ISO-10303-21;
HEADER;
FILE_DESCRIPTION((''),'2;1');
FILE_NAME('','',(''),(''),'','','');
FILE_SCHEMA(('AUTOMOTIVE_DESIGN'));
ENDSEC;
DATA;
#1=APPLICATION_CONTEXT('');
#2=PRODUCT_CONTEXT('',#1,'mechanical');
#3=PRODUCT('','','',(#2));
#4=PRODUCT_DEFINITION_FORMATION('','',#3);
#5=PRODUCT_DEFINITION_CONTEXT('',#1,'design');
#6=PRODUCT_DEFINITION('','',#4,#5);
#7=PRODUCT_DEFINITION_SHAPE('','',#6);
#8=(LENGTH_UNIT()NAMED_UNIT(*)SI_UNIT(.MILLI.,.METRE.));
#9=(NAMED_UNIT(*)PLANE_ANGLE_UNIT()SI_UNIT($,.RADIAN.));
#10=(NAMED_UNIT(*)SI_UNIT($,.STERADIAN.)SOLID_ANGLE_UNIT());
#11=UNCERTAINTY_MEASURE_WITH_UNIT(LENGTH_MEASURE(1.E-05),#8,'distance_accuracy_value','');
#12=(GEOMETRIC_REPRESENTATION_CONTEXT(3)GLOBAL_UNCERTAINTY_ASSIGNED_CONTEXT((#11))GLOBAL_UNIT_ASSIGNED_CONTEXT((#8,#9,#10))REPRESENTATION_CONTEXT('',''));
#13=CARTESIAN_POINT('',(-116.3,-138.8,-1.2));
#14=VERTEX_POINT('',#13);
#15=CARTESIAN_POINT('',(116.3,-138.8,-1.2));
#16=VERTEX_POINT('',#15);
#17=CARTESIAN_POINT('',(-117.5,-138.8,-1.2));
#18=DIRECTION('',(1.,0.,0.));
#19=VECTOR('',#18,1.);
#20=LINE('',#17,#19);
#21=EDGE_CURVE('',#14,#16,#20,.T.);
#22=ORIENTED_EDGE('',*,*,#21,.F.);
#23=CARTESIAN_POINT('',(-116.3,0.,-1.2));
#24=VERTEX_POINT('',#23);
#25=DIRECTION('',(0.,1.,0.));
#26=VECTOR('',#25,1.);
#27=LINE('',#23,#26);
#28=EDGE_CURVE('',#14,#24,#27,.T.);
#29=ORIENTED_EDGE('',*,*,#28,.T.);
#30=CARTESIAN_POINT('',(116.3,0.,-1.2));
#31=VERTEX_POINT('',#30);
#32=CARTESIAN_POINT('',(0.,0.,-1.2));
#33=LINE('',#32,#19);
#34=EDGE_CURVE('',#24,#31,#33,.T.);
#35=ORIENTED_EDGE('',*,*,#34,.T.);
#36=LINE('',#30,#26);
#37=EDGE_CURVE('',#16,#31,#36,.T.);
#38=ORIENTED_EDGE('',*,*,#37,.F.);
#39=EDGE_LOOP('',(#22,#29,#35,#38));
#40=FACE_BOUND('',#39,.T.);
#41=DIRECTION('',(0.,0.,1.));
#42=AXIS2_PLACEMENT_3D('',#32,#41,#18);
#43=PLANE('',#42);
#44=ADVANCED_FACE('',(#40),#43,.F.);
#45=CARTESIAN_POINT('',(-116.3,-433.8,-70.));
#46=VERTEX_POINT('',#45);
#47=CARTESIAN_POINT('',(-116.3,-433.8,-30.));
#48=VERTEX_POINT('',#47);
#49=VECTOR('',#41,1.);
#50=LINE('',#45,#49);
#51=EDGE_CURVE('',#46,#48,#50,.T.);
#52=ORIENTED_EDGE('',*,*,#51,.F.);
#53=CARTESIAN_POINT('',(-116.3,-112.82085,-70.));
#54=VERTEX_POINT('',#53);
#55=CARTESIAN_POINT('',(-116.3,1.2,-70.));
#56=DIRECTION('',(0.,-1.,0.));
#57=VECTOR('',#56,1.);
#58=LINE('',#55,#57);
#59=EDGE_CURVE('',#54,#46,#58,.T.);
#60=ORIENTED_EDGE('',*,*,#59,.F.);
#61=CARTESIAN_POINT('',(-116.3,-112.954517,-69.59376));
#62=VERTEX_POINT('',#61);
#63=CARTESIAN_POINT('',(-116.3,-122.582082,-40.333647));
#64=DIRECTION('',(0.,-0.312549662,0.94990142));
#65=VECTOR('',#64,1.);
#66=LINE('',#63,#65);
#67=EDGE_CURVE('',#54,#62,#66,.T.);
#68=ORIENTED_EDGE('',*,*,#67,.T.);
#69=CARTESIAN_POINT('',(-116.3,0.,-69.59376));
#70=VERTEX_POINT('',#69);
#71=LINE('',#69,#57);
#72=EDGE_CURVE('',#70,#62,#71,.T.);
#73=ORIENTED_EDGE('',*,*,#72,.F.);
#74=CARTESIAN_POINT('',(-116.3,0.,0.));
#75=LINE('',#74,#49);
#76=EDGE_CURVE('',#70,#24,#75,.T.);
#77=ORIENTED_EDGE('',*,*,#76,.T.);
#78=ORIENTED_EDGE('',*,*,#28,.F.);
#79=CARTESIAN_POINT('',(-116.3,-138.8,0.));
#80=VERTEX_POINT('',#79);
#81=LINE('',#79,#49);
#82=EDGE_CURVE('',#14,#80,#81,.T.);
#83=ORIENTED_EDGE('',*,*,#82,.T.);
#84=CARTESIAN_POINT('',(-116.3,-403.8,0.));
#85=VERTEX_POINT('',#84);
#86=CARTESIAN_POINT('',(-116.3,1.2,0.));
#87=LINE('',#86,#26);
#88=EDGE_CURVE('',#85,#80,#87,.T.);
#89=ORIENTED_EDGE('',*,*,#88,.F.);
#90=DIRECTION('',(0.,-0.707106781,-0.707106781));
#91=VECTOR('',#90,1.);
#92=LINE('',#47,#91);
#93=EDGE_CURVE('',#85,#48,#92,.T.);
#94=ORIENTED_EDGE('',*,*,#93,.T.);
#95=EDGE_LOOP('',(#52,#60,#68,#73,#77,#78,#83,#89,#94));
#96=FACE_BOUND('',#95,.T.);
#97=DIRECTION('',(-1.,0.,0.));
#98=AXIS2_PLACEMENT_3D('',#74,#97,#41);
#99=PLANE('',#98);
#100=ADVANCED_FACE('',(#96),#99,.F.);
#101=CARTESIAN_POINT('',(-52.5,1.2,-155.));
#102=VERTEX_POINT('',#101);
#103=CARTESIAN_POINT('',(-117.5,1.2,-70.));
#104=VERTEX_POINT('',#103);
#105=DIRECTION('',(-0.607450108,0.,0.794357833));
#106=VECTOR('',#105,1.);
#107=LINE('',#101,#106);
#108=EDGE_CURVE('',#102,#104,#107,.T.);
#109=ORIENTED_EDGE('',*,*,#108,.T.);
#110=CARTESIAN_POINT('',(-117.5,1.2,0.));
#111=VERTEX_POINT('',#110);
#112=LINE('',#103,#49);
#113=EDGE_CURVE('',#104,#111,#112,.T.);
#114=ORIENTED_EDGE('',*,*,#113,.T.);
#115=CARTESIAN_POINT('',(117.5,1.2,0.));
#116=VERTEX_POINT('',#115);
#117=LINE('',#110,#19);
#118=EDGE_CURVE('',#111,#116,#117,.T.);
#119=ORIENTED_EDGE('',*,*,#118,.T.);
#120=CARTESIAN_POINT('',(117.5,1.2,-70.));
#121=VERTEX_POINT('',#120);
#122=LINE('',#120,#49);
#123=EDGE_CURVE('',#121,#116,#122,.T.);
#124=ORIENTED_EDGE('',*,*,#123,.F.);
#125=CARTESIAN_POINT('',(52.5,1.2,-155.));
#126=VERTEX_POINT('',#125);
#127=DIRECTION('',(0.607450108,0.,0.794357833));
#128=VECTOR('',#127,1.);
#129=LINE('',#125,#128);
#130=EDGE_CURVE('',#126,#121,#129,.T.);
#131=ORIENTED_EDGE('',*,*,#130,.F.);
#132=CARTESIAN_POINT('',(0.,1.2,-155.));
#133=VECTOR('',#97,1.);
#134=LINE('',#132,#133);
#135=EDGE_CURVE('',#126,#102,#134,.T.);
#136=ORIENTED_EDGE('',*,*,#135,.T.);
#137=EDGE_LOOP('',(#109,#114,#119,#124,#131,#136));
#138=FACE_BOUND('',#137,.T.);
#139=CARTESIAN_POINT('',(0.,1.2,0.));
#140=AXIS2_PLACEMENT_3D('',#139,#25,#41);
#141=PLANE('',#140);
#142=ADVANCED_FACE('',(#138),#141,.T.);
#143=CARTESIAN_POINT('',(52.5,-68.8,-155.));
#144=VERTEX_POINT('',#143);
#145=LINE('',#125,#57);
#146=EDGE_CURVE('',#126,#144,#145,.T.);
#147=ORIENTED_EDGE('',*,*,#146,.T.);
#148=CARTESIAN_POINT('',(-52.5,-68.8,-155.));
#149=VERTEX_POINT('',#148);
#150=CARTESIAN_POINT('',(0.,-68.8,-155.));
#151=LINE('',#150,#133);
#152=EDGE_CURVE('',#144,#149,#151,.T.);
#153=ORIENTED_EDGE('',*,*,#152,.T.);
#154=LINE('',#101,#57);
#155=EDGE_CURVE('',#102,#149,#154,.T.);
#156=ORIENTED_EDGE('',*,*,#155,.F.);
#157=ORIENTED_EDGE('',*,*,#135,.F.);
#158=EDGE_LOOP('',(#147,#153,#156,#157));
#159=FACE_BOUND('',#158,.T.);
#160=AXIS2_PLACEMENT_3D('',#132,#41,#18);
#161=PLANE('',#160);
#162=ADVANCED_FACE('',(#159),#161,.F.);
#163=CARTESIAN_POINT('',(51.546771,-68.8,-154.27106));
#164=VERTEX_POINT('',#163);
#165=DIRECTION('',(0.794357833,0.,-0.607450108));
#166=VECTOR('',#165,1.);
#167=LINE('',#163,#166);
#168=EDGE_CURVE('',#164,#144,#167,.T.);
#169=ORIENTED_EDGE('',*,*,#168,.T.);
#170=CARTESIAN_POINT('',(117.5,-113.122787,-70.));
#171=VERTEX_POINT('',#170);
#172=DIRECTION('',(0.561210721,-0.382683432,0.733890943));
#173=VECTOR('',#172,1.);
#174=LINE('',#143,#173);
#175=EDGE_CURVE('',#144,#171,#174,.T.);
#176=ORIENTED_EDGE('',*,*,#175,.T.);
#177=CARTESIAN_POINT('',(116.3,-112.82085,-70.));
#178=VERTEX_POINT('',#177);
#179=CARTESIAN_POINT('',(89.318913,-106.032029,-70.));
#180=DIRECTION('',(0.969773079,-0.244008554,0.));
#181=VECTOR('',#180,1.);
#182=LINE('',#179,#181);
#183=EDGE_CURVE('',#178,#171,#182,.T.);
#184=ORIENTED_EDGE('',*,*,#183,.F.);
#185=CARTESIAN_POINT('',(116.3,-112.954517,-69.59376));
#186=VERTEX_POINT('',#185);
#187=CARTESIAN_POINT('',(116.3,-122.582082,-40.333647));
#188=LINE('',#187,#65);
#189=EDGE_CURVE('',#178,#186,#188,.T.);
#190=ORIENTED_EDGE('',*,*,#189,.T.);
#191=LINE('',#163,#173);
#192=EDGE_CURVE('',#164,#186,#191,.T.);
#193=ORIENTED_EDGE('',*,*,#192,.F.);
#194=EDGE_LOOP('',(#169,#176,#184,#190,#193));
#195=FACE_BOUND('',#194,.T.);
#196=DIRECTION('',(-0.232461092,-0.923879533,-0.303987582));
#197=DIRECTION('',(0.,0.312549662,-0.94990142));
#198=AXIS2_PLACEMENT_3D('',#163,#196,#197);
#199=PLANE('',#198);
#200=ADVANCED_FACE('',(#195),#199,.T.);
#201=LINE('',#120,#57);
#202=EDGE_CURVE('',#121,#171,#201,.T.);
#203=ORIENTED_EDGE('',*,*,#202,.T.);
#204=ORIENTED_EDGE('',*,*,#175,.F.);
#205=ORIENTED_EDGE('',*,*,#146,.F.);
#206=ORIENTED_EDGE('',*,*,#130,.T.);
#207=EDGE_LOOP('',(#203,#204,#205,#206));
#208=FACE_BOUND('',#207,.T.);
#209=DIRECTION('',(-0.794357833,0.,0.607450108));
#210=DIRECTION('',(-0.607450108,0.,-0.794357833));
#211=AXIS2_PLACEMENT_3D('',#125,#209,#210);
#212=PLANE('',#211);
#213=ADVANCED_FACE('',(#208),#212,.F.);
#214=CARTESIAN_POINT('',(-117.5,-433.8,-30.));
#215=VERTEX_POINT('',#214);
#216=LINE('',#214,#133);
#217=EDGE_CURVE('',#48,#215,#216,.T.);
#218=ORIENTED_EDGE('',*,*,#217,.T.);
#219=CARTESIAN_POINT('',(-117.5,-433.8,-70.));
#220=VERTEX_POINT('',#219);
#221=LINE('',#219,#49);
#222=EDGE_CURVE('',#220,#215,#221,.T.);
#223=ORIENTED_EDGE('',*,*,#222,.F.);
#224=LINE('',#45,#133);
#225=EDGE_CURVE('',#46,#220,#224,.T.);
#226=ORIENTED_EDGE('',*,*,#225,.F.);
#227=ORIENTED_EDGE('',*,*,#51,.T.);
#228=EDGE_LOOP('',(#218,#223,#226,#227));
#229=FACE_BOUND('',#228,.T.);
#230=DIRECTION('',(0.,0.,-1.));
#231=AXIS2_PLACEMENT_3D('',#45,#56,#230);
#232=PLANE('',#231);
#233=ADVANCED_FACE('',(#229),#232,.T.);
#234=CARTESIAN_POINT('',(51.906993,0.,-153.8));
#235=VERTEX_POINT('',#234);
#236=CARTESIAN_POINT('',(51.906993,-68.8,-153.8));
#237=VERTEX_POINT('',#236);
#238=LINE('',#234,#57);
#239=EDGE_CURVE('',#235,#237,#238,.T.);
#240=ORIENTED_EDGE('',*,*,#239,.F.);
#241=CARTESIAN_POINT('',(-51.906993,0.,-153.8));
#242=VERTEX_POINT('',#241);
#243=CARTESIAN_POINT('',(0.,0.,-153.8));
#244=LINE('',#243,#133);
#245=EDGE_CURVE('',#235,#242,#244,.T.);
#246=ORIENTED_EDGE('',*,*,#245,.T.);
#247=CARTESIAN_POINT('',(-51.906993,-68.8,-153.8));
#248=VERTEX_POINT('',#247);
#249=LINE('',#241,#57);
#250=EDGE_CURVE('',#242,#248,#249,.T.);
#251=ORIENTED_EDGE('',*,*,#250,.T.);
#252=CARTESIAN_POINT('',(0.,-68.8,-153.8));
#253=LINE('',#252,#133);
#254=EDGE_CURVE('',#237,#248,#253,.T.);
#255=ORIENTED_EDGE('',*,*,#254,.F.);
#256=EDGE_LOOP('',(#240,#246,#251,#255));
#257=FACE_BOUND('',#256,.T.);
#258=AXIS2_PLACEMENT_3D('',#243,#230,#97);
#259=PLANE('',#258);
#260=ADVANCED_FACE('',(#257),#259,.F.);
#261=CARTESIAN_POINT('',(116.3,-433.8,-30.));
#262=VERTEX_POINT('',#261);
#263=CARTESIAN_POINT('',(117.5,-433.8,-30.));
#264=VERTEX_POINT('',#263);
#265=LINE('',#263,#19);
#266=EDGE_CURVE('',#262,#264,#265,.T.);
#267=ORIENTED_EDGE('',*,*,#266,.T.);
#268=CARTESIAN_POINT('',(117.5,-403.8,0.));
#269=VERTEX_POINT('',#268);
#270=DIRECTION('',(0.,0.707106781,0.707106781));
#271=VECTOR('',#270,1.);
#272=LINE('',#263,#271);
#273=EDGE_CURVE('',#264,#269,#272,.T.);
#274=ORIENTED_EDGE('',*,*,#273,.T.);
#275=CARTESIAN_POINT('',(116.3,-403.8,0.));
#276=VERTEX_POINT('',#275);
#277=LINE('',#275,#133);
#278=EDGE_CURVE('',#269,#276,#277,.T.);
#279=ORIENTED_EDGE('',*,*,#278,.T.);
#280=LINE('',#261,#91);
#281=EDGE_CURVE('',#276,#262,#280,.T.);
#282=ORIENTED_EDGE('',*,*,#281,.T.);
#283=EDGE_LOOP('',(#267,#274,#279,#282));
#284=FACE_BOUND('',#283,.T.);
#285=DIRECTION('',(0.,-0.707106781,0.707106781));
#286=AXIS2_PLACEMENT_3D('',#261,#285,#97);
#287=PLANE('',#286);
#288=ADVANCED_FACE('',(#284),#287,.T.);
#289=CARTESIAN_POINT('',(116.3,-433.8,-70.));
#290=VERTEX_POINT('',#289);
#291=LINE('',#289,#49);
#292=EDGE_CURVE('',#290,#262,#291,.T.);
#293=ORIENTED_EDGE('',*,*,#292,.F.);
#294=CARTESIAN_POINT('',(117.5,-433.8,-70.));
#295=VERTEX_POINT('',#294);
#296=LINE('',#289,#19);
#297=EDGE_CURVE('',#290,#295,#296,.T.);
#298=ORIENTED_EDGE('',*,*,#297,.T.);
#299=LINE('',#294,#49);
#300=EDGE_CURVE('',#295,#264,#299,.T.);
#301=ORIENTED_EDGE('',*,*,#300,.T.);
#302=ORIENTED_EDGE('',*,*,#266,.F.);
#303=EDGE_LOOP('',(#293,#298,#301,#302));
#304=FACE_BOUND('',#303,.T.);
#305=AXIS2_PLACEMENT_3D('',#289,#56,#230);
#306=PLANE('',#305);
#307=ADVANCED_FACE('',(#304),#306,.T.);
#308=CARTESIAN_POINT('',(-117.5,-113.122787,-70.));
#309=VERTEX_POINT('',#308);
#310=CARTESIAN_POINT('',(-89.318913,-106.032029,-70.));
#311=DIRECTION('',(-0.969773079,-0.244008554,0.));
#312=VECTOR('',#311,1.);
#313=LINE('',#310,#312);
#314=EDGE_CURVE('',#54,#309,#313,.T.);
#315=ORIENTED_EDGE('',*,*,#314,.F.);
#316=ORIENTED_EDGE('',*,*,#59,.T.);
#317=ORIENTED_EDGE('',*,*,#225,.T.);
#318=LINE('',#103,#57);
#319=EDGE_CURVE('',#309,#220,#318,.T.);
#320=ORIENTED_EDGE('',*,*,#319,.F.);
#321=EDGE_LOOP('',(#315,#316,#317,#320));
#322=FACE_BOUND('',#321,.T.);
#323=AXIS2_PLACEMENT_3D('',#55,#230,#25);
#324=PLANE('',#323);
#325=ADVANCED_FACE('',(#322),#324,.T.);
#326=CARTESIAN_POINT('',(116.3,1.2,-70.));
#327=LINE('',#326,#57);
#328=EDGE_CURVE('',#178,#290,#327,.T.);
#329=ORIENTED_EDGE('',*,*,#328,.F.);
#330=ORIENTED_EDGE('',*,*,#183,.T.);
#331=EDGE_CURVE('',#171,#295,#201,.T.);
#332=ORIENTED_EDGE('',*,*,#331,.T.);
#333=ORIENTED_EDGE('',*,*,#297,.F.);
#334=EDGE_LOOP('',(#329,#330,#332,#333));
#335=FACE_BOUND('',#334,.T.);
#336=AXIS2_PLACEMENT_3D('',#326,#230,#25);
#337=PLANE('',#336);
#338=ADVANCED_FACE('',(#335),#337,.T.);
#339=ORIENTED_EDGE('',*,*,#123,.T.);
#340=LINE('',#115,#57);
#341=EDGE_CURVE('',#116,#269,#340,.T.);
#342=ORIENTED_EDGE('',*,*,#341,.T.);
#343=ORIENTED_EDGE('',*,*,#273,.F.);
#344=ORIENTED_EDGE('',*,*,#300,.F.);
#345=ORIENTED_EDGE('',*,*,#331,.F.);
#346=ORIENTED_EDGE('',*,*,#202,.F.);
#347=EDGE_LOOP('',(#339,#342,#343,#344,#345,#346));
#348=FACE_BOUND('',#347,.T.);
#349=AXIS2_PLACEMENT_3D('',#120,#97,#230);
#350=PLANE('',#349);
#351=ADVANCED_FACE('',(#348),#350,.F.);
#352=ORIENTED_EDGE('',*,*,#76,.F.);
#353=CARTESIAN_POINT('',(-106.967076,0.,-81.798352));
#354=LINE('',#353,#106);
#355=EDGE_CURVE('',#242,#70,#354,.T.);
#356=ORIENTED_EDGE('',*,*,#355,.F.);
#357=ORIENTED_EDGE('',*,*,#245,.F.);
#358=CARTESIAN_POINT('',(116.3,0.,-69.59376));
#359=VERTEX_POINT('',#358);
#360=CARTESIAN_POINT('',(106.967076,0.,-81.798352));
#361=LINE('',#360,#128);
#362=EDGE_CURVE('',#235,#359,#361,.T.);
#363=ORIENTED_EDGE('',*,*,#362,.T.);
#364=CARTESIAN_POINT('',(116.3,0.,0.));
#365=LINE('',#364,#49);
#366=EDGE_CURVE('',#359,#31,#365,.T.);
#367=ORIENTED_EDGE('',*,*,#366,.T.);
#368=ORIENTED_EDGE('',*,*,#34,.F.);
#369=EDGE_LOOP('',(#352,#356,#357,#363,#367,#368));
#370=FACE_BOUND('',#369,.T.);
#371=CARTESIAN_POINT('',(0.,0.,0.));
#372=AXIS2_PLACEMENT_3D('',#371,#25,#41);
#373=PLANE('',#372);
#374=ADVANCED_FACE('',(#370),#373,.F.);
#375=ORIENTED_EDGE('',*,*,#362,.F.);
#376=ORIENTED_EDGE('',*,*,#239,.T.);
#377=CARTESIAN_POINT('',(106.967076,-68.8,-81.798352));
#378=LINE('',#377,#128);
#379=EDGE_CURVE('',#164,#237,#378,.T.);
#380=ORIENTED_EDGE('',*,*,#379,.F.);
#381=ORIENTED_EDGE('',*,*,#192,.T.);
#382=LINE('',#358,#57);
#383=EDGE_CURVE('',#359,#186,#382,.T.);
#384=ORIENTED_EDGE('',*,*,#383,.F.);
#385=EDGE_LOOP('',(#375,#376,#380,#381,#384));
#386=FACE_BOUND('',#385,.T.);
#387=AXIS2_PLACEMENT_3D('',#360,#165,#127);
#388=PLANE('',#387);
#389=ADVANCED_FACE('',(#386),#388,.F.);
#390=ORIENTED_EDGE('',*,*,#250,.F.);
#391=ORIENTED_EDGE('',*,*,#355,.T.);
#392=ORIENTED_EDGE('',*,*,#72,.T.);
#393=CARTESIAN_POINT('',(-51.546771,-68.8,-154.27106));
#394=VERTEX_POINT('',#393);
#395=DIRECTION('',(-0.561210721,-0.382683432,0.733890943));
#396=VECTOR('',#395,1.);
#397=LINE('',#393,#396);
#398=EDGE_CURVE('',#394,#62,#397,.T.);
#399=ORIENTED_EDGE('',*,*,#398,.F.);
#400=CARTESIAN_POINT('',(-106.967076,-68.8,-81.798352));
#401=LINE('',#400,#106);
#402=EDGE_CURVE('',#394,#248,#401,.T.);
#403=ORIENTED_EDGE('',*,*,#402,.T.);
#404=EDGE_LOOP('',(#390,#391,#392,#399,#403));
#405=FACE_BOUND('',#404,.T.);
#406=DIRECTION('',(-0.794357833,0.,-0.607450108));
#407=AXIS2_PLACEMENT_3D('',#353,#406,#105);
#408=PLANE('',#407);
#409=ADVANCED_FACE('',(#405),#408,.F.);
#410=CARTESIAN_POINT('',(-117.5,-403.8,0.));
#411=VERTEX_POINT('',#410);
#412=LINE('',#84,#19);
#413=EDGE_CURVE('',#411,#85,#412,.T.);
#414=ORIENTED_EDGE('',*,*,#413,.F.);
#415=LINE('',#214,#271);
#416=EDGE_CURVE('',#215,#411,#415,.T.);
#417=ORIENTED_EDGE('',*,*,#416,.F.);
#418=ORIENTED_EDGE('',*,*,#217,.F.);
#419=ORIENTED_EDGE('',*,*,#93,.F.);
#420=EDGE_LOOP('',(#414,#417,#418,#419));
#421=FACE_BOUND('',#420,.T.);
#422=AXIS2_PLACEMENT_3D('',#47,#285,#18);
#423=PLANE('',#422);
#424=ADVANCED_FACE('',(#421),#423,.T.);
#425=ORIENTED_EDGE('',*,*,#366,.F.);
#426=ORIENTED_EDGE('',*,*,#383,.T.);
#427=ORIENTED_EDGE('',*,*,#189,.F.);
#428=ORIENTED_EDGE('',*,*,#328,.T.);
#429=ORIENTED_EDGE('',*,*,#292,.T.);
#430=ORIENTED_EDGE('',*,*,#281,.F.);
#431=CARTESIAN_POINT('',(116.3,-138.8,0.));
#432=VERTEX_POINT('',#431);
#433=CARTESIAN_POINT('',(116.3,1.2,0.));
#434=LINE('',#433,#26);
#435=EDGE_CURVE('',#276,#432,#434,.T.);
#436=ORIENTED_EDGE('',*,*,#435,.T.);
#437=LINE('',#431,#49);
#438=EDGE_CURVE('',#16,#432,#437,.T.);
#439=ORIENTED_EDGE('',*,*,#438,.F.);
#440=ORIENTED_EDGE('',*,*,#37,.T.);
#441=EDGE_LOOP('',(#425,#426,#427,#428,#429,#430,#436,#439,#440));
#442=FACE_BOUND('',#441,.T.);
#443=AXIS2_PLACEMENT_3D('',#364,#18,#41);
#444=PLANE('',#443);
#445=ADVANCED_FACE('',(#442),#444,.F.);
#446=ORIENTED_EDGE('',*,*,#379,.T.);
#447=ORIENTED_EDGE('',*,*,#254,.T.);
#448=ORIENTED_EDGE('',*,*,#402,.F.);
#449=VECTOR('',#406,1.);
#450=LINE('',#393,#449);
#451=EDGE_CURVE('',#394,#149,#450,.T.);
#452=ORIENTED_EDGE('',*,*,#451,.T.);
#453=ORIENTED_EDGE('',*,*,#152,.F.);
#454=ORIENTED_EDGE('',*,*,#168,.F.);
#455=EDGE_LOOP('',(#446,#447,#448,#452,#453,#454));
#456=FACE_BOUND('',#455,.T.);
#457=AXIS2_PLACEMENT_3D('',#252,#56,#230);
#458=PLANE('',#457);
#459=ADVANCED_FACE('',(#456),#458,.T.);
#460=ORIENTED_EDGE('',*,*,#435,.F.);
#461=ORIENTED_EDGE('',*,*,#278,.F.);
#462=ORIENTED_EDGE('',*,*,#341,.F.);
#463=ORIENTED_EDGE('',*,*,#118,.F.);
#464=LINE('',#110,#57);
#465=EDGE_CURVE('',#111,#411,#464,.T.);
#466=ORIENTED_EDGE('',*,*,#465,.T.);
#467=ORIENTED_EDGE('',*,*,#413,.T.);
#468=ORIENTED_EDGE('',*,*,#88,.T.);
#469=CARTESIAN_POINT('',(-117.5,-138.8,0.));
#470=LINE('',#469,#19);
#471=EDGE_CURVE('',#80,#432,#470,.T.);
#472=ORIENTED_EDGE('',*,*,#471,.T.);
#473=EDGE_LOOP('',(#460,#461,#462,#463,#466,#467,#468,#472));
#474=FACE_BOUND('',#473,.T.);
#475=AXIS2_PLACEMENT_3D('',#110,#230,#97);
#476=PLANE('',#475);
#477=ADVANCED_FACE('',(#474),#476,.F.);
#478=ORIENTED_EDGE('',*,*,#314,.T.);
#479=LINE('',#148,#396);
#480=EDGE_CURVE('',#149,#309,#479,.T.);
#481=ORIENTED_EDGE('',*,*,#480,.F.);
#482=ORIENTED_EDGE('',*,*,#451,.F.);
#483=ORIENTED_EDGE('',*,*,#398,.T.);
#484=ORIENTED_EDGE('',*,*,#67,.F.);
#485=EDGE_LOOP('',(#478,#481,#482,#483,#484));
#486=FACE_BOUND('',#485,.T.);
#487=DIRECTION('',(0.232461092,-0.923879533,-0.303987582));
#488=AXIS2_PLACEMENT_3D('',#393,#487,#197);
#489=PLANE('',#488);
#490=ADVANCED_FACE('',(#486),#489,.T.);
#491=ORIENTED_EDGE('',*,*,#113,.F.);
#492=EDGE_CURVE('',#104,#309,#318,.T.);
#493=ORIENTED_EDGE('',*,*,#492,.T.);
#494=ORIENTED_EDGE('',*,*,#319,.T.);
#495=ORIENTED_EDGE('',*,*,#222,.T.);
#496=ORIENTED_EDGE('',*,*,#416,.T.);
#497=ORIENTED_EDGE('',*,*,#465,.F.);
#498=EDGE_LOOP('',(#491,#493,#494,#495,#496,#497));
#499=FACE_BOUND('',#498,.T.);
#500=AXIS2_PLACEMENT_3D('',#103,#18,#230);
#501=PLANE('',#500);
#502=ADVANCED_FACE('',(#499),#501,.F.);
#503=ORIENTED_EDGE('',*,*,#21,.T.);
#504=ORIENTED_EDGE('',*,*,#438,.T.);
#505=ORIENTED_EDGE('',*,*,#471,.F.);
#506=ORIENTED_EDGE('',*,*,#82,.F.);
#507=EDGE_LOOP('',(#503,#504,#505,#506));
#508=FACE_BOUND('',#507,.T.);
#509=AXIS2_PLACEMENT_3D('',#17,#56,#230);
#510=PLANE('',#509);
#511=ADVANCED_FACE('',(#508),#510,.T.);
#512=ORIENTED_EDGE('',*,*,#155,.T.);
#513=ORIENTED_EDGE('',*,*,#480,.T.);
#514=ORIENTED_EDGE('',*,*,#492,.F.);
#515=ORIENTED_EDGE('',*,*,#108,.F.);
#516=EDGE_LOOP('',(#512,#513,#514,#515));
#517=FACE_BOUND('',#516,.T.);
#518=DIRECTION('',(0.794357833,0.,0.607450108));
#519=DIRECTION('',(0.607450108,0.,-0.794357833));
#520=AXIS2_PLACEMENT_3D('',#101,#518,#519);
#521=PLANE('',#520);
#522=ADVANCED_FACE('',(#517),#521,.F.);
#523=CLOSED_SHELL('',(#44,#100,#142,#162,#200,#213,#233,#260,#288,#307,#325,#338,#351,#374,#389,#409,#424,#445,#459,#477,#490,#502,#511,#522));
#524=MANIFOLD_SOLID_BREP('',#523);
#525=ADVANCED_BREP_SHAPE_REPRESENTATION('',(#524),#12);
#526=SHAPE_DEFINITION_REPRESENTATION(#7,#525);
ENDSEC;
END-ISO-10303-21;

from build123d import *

# Parameters (mm, degrees)
BOSS_EXTRUDE1_DEPTH = 1.2
SKETCH2_W           = 70
SKETCH2_H           = 435
BOSS_EXTRUDE2_DEPTH = 1.2
BOSS_EXTRUDE3_DEPTH = 1.2
SKETCH4_W           = 52.5
SKETCH4_H           = 70
BOSS_EXTRUDE4_DEPTH = 1.2
CHAMFER1_SIZE       = 30
SKETCH6_W           = 117.5
SKETCH6_H           = 140
BOSS_EXTRUDE5_DEPTH = 1.2


with BuildPart() as part:
    # Sketch1 → Boss-Extrude1 (new body)
    with BuildSketch(Plane(origin=(0, 0, 0), x_dir=(1, 0, 0), z_dir=(0, 1, 0))):
        Polygon((0, 0), (0, 155), (-52.5, 155), (-117.5, 70), (-117.5, 0), align=None)
    extrude(amount=BOSS_EXTRUDE1_DEPTH)

    # Sketch2 → Boss-Extrude2 (add)
    with BuildSketch(Plane.ZY.offset(117.5)):
        with Locations((-35, -216.3)):
            Rectangle(SKETCH2_W, SKETCH2_H)
    extrude(amount=-BOSS_EXTRUDE2_DEPTH)

    # Sketch3 → Boss-Extrude3 (add)
    with BuildSketch(Plane(origin=(-107.920305677, 0, -82.527292576), x_dir=(-0.607450108, 0, 0.794357833), z_dir=(-0.794357833, 0, -0.607450108))):
        Polygon((-91.234333464, 1.2), (15.770339331, 1.2), (15.770339331, -113.122786709), (-91.234333464, -68.8), align=None)
    extrude(amount=-BOSS_EXTRUDE3_DEPTH)

    # Sketch4 → Boss-Extrude4 (add)
    with BuildSketch(Plane(origin=(0, 0, -155), x_dir=(-1, 0, 0), z_dir=(0, 0, -1))):
        with Locations((26.25, -33.8)):
            Rectangle(SKETCH4_W, SKETCH4_H)
    extrude(amount=-BOSS_EXTRUDE4_DEPTH)

    # Chamfer1
    chamfer1_edges = [part.edges().sort_by_distance(p)[0] for p in [
        (-116.9, -433.8, 0),
    ]]
    chamfer(chamfer1_edges, length=CHAMFER1_SIZE)

    # Sketch6 → Boss-Extrude5 (add)
    with BuildSketch(Plane.XY):
        with Locations((-58.75, -68.8)):
            Rectangle(SKETCH6_W, SKETCH6_H)
    extrude(amount=-BOSS_EXTRUDE5_DEPTH)

    # Mirror1: part across face


with BuildPart() as part_1:
    add(part.part)
    add(part.part.mirror(Plane(origin=(0, -32.836293436, -62.654440154), x_dir=(0, 0, 1), z_dir=(1, 0, 0))))


solid = part_1.part
